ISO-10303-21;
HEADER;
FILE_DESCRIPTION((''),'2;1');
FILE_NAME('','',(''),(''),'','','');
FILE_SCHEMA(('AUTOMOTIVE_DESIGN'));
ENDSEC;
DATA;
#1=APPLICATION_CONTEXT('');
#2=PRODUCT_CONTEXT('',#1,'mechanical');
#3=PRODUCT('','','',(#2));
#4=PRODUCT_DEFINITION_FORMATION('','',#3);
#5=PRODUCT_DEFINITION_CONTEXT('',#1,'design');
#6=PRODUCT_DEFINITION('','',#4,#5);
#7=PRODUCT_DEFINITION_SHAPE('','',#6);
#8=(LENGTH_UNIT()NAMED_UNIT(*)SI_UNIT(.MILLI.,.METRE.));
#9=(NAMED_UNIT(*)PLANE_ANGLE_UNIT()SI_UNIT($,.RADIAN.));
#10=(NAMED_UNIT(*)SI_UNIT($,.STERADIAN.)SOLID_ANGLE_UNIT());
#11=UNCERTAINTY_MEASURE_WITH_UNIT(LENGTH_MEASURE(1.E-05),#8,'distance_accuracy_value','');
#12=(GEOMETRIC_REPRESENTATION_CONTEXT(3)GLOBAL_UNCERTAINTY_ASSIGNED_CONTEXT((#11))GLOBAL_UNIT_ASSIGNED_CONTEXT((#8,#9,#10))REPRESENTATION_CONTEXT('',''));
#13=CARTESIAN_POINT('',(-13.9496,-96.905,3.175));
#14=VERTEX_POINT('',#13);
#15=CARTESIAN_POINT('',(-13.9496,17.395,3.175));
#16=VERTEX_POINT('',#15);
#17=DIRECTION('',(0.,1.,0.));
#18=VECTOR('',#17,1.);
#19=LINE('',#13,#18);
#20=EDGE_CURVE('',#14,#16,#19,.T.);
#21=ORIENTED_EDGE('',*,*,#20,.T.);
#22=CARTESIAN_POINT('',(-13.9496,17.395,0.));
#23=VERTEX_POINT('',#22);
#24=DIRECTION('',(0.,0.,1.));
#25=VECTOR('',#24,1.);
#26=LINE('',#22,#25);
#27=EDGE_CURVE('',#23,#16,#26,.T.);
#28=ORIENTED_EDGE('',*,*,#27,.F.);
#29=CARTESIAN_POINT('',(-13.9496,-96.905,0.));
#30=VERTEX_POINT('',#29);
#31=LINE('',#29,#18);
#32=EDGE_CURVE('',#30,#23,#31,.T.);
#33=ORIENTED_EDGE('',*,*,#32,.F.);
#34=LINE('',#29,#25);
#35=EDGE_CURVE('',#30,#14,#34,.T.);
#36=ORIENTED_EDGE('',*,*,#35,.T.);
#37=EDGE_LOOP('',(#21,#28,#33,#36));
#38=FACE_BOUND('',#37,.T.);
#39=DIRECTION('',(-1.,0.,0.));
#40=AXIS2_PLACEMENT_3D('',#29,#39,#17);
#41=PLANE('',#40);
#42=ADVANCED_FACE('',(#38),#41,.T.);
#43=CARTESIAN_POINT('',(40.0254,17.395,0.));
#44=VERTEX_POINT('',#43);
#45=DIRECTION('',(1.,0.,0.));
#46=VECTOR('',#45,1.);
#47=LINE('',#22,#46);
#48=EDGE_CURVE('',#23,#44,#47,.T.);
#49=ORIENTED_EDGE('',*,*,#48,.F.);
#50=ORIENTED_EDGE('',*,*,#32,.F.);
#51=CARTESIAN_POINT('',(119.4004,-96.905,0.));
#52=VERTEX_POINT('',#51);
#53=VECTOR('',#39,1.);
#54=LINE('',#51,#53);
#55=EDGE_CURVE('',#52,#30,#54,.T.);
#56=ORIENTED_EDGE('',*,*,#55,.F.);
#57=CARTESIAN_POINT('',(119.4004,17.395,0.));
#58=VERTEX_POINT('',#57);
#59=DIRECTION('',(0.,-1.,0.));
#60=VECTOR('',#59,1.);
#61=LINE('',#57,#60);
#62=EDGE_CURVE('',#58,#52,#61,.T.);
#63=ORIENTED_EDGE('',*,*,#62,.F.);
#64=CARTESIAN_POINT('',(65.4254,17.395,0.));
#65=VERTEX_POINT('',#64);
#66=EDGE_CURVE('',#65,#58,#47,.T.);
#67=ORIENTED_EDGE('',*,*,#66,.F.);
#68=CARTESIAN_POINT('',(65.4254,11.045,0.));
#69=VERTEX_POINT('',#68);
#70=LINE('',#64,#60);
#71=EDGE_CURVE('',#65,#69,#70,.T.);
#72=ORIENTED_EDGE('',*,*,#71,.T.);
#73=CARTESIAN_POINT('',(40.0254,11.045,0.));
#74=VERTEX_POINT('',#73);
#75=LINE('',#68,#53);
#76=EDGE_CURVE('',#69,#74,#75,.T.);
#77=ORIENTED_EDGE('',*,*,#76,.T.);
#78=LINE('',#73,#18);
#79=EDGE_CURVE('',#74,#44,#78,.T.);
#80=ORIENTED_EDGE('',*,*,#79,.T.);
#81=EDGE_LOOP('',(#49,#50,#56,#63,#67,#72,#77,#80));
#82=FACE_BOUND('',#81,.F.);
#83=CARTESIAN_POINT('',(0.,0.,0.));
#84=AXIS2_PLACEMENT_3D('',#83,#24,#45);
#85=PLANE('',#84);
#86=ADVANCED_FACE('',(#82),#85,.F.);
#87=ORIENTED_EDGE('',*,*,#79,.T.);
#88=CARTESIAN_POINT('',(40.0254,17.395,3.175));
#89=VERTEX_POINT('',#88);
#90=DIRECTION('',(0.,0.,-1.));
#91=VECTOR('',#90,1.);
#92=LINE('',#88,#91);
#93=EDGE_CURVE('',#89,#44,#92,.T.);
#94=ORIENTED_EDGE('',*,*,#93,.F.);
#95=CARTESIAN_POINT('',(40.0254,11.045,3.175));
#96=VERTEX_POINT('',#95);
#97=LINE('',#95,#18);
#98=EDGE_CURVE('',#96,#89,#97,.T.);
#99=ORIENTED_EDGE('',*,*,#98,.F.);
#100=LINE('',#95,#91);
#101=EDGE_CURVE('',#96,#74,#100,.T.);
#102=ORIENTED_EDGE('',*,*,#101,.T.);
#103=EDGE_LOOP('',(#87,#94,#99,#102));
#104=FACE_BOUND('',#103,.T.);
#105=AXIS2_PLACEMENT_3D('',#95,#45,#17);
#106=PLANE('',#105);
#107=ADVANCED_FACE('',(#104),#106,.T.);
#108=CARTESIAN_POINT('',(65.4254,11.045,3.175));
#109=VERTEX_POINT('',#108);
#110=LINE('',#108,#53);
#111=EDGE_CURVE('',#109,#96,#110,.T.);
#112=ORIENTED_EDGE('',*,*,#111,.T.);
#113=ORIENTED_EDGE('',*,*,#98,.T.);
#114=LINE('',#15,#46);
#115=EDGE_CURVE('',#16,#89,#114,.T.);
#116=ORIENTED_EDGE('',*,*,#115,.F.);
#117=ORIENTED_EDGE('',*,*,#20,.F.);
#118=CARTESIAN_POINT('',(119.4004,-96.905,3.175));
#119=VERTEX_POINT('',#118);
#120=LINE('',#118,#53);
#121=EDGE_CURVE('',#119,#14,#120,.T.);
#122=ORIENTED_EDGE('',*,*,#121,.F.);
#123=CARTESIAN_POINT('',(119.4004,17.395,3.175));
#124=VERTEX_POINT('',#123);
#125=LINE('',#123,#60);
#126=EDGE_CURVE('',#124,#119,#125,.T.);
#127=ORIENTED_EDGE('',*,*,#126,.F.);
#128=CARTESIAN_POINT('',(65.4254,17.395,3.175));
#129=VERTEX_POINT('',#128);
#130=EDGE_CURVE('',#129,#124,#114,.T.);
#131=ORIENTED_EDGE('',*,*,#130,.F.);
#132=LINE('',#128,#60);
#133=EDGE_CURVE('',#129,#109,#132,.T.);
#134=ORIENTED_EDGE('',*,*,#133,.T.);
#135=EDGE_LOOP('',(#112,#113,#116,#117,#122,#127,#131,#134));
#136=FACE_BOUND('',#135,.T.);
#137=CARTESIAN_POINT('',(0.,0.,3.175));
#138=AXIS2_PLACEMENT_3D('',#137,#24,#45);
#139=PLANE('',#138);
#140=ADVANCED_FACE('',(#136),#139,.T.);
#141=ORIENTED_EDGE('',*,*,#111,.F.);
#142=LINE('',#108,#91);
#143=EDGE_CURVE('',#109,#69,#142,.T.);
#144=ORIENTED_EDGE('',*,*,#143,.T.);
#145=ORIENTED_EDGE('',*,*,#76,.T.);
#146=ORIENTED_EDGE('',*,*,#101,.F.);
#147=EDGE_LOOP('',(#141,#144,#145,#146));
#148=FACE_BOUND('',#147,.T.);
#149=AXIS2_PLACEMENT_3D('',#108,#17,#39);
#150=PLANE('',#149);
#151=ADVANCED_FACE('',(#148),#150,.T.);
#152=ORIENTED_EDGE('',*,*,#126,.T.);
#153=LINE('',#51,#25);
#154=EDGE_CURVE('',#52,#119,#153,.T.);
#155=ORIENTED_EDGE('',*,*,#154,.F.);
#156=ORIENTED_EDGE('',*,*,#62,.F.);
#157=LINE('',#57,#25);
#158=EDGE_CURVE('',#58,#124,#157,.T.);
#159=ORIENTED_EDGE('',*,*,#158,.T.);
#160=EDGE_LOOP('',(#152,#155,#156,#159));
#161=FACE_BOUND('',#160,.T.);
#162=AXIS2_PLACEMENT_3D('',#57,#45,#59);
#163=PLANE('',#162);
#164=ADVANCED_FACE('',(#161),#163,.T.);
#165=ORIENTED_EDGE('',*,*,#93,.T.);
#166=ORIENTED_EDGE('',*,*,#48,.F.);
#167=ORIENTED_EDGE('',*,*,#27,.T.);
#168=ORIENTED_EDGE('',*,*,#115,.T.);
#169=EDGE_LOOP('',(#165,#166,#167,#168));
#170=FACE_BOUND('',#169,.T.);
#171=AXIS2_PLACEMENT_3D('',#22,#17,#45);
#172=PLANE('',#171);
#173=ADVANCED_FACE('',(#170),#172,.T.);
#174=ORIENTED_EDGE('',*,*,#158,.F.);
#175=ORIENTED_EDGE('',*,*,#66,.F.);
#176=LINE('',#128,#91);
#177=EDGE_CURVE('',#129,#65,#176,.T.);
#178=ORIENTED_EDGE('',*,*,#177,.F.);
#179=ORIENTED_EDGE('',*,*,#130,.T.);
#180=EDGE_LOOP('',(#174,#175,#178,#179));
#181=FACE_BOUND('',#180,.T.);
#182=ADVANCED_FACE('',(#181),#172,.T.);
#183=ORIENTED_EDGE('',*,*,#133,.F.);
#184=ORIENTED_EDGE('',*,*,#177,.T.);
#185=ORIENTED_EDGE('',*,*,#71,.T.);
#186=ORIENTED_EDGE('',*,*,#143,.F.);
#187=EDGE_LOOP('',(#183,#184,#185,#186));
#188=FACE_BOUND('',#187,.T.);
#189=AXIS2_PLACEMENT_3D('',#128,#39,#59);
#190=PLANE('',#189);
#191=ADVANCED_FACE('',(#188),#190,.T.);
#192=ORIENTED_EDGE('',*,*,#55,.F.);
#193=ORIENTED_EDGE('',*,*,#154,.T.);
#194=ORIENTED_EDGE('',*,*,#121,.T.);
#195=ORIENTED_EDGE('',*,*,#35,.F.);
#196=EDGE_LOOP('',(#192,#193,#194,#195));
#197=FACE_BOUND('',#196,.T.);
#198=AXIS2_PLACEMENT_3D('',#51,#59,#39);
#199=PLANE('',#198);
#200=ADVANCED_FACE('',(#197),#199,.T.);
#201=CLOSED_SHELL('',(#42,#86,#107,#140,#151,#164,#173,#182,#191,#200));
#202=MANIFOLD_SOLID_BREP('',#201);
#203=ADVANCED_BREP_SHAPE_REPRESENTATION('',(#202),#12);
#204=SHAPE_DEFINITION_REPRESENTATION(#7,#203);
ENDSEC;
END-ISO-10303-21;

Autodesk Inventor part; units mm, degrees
ref_plane "YZ Plane" through (0, 0, 0) normal (1, 0, 0) x (0, 1, 0)
ref_plane "XZ Plane" through (0, 0, 0) normal (0, 1, 0) x (-1, 0, 0)
ref_plane "XY Plane" through (0, 0, 0) normal (0, 0, 1) x (1, 0, 0)
sketch "Sketch1" plane through (0, 0, 0) normal (0, 0, 1) x (1, 0, 0)
  line L0 (-13.9496, 17.395) -> (119.4004, 17.395)
  line L1 (119.4004, 17.395) -> (119.4004, -96.905)
  line L2 (119.4004, -96.905) -> (-13.9496, -96.905)
  line L3 (-13.9496, -96.905) -> (-13.9496, 17.395)
  point P0 (0, 0)
  dimension "d0" = 133.35
  dimension "d1" = 114.3
extrude "Extrusion1" add sketch "Sketch1" along normal blind 3.175
sketch "Sketch2" plane through (0, 0, 3.175) normal (0, 0, 1) x (1, 0, 0)
  line L0 (-13.9496, 17.395) -> (119.4004, 17.395) projected
  line L1 (40.0254, 17.395) -> (65.4254, 17.395)
  line L2 (65.4254, 17.395) -> (65.4254, 11.045)
  line L3 (65.4254, 11.045) -> (40.0254, 11.045)
  line L4 (40.0254, 11.045) -> (40.0254, 17.395)
  point P0 (0, 0)
  dimension "d4" = 6.35
  dimension "d5" = 25.4
  dimension "d6" = 53.975
extrude "Extrusion2" cut sketch "Sketch2" against normal blind 3.175
properties part number "side panel for hinge"
